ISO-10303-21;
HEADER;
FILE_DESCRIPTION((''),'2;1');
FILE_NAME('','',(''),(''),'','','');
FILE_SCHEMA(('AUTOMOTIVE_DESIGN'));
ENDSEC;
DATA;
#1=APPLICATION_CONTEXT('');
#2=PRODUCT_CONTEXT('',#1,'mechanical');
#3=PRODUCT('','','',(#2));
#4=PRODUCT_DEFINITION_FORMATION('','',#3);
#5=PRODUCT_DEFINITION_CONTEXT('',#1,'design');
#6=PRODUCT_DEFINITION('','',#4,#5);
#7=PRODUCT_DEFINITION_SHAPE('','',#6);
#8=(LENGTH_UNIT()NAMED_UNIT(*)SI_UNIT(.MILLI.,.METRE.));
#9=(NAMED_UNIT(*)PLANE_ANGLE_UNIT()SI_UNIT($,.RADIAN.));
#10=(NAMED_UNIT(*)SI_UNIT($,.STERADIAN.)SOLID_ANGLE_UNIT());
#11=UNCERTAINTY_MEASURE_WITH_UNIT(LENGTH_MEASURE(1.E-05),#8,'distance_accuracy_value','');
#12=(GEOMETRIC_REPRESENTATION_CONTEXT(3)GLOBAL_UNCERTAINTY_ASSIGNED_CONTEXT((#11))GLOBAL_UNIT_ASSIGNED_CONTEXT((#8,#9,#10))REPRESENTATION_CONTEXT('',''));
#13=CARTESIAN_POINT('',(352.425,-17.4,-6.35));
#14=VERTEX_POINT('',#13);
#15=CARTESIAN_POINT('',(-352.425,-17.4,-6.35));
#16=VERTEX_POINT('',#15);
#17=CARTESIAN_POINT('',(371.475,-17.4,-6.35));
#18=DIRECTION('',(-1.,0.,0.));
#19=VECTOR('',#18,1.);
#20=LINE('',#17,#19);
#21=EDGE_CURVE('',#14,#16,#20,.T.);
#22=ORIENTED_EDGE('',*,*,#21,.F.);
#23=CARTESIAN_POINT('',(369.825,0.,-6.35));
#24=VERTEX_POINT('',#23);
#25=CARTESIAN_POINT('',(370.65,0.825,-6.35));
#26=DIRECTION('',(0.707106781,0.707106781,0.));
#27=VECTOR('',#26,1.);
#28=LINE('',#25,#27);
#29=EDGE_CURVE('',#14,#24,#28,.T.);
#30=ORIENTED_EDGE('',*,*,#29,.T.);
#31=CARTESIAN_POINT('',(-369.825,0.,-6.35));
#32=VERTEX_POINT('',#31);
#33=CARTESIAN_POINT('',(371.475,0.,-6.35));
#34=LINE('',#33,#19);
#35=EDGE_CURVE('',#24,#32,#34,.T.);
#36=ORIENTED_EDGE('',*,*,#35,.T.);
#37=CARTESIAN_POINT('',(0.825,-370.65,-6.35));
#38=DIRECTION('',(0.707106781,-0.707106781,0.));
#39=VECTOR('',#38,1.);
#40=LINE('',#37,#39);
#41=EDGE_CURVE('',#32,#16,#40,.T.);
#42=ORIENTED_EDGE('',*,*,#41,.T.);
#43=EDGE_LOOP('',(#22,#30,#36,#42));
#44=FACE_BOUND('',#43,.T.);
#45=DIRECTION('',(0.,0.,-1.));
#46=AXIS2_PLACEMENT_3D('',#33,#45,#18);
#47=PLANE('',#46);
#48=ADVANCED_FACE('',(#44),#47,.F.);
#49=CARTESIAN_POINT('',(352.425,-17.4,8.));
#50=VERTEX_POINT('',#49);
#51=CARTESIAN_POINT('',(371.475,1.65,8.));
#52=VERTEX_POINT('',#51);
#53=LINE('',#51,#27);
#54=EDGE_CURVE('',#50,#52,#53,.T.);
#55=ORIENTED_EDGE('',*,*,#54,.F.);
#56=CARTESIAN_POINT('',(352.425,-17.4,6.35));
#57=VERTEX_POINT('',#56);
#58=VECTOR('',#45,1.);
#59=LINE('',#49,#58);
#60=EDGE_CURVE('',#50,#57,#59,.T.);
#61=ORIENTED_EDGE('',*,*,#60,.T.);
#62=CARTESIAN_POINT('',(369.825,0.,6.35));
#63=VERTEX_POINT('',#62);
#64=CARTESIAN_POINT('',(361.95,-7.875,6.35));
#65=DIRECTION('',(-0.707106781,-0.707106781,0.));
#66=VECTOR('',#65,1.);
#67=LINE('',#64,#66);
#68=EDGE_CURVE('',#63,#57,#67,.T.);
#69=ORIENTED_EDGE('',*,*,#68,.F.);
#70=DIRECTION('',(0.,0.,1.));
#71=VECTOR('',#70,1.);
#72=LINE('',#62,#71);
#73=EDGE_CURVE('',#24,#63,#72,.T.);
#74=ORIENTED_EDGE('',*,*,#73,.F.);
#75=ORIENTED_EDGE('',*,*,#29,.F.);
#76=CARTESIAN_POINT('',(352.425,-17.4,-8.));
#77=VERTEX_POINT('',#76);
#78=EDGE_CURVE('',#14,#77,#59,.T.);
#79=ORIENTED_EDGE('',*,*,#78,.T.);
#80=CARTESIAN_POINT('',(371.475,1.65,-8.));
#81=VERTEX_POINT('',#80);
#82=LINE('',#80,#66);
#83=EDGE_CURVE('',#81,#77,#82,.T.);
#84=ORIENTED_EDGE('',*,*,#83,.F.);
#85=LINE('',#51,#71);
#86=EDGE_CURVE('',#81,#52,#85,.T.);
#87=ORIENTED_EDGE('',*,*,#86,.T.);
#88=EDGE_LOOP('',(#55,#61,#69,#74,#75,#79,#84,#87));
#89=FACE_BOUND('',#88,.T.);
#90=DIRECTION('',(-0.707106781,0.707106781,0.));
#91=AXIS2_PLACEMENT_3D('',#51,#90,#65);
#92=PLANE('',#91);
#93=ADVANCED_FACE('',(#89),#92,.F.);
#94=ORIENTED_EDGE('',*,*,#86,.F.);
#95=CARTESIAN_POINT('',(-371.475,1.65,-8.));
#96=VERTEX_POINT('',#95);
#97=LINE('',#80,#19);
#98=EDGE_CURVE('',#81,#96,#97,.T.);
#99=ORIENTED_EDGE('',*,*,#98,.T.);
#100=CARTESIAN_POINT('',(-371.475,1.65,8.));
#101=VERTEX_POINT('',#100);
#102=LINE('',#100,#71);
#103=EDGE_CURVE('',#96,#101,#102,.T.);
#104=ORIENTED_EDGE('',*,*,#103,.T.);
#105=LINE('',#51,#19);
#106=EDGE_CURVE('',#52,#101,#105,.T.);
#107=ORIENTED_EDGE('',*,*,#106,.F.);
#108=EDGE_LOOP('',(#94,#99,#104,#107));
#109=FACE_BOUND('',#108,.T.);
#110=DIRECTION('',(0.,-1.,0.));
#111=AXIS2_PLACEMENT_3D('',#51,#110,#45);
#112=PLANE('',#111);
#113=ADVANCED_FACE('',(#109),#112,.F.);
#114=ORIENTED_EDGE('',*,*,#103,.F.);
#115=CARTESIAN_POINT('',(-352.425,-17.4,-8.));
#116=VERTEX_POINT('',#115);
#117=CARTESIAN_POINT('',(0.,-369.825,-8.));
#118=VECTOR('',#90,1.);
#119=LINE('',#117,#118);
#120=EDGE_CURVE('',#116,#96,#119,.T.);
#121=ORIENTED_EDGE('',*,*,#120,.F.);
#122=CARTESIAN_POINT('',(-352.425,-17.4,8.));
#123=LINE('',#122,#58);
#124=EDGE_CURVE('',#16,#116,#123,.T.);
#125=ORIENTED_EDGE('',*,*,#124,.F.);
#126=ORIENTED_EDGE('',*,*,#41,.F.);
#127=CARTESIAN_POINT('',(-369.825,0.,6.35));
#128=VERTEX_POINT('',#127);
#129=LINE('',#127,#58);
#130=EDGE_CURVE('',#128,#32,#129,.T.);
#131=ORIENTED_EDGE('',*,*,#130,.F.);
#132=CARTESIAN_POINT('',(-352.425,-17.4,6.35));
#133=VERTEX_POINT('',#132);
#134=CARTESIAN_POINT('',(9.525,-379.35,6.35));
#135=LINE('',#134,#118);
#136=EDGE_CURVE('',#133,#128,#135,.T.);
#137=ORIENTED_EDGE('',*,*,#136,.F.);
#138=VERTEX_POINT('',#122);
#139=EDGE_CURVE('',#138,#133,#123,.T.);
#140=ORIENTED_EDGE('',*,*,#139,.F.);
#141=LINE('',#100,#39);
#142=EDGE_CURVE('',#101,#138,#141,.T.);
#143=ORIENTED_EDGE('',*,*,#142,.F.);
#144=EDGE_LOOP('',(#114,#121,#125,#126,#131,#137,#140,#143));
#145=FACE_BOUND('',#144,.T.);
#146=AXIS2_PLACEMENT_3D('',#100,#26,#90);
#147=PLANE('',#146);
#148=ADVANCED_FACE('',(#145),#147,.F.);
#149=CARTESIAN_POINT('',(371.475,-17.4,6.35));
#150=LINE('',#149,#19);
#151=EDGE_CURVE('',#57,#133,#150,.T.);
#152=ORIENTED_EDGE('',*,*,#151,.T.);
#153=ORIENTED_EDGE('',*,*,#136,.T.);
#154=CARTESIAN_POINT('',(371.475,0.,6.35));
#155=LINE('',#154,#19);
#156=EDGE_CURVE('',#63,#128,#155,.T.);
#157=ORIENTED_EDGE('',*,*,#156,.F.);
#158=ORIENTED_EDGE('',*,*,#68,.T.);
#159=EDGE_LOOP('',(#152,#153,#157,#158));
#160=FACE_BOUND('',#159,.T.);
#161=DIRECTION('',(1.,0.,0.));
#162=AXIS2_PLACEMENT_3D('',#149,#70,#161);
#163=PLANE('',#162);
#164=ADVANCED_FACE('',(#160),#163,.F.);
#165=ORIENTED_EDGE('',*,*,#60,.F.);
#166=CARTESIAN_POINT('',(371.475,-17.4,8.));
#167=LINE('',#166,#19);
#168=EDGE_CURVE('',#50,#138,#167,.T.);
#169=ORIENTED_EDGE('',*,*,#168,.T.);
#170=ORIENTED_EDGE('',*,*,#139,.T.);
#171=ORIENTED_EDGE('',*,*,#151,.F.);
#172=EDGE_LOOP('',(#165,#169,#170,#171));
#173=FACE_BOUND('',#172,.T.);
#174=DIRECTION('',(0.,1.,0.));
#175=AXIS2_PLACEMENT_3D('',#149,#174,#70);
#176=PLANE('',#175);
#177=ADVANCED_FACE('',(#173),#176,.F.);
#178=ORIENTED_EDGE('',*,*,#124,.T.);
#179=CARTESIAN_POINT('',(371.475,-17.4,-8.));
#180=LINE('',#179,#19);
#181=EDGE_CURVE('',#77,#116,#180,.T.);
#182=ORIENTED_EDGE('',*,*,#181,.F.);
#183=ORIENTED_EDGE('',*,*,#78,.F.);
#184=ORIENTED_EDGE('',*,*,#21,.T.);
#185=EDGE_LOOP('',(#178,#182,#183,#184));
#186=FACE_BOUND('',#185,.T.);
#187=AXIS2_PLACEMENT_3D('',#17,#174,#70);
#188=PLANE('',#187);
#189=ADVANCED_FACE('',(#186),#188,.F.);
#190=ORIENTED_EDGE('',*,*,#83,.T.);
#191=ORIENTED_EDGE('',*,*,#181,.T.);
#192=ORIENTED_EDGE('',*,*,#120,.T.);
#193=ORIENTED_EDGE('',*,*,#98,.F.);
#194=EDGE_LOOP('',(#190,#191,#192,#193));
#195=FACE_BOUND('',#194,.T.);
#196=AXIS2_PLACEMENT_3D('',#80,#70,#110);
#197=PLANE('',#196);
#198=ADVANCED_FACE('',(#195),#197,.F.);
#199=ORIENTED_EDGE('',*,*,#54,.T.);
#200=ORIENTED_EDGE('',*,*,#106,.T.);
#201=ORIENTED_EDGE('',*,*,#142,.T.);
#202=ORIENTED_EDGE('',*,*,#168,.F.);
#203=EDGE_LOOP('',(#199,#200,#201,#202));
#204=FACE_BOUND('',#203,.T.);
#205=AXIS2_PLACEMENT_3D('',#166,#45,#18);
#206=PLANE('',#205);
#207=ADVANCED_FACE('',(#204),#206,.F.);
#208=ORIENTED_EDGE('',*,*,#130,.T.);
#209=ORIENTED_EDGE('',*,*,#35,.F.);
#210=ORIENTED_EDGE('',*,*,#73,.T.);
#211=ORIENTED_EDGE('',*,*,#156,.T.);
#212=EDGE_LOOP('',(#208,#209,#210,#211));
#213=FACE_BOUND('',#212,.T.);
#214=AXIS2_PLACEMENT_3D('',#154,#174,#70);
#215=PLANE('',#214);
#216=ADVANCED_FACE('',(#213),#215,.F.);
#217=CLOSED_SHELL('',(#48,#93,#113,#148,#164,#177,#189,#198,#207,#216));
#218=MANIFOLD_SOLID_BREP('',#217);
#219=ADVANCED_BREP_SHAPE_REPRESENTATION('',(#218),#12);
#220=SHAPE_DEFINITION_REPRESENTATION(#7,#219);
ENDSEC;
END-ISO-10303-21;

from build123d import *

# Parameters (mm, degrees)
BOSS_EXTRUDE1_DEPTH           = 371.475
CUT_RIGHT_SIDE_TOP_DEPTH      = 1
CUT_RIGHT_SIDE_TOP_DEPTH_BACK = 17
CUT_LEFT_SIDE_TOP_DEPTH       = 1
CUT_LEFT_SIDE_TOP_DEPTH_BACK  = 17


with BuildPart() as part:
    # Sketch1 → Boss-Extrude1 (new body, symmetric)
    with BuildSketch(Plane(origin=(0, 0, 0), x_dir=(0, 0, -1), z_dir=(1, 0, 0))):
        Polygon((-6.35, 0), (6.35, 0), (6.35, -17.4), (8, -17.4), (8, 1.65), (-8, 1.65), (-8, -17.4), (-6.35, -17.4), align=None)
    extrude(amount=BOSS_EXTRUDE1_DEPTH, both=True)

    # Sketch7 → Cut-Right-Side-Top (cut, two sides)
    with BuildSketch(Plane(origin=(0, 0, -8), x_dir=(-1, 0, 0), z_dir=(0, 0, -1))) as cut_right_side_top_sk:
        Polygon((-371.475, 1.65), (-352.425, -17.4), (-371.475, -17.4), align=None)
    extrude(amount=CUT_RIGHT_SIDE_TOP_DEPTH, mode=Mode.SUBTRACT)
    extrude(cut_right_side_top_sk.sketch, amount=-CUT_RIGHT_SIDE_TOP_DEPTH_BACK, mode=Mode.SUBTRACT)

    # Sketch5 → Cut-Left-Side-Top (cut, two sides)
    with BuildSketch(Plane(origin=(0, 0, -8), x_dir=(-1, 0, 0), z_dir=(0, 0, -1))) as cut_left_side_top_sk:
        Polygon((371.475, 1.65), (352.425, -17.4), (371.475, -17.4), align=None)
    extrude(amount=CUT_LEFT_SIDE_TOP_DEPTH, mode=Mode.SUBTRACT)
    extrude(cut_left_side_top_sk.sketch, amount=-CUT_LEFT_SIDE_TOP_DEPTH_BACK, mode=Mode.SUBTRACT)


solid = part.part
